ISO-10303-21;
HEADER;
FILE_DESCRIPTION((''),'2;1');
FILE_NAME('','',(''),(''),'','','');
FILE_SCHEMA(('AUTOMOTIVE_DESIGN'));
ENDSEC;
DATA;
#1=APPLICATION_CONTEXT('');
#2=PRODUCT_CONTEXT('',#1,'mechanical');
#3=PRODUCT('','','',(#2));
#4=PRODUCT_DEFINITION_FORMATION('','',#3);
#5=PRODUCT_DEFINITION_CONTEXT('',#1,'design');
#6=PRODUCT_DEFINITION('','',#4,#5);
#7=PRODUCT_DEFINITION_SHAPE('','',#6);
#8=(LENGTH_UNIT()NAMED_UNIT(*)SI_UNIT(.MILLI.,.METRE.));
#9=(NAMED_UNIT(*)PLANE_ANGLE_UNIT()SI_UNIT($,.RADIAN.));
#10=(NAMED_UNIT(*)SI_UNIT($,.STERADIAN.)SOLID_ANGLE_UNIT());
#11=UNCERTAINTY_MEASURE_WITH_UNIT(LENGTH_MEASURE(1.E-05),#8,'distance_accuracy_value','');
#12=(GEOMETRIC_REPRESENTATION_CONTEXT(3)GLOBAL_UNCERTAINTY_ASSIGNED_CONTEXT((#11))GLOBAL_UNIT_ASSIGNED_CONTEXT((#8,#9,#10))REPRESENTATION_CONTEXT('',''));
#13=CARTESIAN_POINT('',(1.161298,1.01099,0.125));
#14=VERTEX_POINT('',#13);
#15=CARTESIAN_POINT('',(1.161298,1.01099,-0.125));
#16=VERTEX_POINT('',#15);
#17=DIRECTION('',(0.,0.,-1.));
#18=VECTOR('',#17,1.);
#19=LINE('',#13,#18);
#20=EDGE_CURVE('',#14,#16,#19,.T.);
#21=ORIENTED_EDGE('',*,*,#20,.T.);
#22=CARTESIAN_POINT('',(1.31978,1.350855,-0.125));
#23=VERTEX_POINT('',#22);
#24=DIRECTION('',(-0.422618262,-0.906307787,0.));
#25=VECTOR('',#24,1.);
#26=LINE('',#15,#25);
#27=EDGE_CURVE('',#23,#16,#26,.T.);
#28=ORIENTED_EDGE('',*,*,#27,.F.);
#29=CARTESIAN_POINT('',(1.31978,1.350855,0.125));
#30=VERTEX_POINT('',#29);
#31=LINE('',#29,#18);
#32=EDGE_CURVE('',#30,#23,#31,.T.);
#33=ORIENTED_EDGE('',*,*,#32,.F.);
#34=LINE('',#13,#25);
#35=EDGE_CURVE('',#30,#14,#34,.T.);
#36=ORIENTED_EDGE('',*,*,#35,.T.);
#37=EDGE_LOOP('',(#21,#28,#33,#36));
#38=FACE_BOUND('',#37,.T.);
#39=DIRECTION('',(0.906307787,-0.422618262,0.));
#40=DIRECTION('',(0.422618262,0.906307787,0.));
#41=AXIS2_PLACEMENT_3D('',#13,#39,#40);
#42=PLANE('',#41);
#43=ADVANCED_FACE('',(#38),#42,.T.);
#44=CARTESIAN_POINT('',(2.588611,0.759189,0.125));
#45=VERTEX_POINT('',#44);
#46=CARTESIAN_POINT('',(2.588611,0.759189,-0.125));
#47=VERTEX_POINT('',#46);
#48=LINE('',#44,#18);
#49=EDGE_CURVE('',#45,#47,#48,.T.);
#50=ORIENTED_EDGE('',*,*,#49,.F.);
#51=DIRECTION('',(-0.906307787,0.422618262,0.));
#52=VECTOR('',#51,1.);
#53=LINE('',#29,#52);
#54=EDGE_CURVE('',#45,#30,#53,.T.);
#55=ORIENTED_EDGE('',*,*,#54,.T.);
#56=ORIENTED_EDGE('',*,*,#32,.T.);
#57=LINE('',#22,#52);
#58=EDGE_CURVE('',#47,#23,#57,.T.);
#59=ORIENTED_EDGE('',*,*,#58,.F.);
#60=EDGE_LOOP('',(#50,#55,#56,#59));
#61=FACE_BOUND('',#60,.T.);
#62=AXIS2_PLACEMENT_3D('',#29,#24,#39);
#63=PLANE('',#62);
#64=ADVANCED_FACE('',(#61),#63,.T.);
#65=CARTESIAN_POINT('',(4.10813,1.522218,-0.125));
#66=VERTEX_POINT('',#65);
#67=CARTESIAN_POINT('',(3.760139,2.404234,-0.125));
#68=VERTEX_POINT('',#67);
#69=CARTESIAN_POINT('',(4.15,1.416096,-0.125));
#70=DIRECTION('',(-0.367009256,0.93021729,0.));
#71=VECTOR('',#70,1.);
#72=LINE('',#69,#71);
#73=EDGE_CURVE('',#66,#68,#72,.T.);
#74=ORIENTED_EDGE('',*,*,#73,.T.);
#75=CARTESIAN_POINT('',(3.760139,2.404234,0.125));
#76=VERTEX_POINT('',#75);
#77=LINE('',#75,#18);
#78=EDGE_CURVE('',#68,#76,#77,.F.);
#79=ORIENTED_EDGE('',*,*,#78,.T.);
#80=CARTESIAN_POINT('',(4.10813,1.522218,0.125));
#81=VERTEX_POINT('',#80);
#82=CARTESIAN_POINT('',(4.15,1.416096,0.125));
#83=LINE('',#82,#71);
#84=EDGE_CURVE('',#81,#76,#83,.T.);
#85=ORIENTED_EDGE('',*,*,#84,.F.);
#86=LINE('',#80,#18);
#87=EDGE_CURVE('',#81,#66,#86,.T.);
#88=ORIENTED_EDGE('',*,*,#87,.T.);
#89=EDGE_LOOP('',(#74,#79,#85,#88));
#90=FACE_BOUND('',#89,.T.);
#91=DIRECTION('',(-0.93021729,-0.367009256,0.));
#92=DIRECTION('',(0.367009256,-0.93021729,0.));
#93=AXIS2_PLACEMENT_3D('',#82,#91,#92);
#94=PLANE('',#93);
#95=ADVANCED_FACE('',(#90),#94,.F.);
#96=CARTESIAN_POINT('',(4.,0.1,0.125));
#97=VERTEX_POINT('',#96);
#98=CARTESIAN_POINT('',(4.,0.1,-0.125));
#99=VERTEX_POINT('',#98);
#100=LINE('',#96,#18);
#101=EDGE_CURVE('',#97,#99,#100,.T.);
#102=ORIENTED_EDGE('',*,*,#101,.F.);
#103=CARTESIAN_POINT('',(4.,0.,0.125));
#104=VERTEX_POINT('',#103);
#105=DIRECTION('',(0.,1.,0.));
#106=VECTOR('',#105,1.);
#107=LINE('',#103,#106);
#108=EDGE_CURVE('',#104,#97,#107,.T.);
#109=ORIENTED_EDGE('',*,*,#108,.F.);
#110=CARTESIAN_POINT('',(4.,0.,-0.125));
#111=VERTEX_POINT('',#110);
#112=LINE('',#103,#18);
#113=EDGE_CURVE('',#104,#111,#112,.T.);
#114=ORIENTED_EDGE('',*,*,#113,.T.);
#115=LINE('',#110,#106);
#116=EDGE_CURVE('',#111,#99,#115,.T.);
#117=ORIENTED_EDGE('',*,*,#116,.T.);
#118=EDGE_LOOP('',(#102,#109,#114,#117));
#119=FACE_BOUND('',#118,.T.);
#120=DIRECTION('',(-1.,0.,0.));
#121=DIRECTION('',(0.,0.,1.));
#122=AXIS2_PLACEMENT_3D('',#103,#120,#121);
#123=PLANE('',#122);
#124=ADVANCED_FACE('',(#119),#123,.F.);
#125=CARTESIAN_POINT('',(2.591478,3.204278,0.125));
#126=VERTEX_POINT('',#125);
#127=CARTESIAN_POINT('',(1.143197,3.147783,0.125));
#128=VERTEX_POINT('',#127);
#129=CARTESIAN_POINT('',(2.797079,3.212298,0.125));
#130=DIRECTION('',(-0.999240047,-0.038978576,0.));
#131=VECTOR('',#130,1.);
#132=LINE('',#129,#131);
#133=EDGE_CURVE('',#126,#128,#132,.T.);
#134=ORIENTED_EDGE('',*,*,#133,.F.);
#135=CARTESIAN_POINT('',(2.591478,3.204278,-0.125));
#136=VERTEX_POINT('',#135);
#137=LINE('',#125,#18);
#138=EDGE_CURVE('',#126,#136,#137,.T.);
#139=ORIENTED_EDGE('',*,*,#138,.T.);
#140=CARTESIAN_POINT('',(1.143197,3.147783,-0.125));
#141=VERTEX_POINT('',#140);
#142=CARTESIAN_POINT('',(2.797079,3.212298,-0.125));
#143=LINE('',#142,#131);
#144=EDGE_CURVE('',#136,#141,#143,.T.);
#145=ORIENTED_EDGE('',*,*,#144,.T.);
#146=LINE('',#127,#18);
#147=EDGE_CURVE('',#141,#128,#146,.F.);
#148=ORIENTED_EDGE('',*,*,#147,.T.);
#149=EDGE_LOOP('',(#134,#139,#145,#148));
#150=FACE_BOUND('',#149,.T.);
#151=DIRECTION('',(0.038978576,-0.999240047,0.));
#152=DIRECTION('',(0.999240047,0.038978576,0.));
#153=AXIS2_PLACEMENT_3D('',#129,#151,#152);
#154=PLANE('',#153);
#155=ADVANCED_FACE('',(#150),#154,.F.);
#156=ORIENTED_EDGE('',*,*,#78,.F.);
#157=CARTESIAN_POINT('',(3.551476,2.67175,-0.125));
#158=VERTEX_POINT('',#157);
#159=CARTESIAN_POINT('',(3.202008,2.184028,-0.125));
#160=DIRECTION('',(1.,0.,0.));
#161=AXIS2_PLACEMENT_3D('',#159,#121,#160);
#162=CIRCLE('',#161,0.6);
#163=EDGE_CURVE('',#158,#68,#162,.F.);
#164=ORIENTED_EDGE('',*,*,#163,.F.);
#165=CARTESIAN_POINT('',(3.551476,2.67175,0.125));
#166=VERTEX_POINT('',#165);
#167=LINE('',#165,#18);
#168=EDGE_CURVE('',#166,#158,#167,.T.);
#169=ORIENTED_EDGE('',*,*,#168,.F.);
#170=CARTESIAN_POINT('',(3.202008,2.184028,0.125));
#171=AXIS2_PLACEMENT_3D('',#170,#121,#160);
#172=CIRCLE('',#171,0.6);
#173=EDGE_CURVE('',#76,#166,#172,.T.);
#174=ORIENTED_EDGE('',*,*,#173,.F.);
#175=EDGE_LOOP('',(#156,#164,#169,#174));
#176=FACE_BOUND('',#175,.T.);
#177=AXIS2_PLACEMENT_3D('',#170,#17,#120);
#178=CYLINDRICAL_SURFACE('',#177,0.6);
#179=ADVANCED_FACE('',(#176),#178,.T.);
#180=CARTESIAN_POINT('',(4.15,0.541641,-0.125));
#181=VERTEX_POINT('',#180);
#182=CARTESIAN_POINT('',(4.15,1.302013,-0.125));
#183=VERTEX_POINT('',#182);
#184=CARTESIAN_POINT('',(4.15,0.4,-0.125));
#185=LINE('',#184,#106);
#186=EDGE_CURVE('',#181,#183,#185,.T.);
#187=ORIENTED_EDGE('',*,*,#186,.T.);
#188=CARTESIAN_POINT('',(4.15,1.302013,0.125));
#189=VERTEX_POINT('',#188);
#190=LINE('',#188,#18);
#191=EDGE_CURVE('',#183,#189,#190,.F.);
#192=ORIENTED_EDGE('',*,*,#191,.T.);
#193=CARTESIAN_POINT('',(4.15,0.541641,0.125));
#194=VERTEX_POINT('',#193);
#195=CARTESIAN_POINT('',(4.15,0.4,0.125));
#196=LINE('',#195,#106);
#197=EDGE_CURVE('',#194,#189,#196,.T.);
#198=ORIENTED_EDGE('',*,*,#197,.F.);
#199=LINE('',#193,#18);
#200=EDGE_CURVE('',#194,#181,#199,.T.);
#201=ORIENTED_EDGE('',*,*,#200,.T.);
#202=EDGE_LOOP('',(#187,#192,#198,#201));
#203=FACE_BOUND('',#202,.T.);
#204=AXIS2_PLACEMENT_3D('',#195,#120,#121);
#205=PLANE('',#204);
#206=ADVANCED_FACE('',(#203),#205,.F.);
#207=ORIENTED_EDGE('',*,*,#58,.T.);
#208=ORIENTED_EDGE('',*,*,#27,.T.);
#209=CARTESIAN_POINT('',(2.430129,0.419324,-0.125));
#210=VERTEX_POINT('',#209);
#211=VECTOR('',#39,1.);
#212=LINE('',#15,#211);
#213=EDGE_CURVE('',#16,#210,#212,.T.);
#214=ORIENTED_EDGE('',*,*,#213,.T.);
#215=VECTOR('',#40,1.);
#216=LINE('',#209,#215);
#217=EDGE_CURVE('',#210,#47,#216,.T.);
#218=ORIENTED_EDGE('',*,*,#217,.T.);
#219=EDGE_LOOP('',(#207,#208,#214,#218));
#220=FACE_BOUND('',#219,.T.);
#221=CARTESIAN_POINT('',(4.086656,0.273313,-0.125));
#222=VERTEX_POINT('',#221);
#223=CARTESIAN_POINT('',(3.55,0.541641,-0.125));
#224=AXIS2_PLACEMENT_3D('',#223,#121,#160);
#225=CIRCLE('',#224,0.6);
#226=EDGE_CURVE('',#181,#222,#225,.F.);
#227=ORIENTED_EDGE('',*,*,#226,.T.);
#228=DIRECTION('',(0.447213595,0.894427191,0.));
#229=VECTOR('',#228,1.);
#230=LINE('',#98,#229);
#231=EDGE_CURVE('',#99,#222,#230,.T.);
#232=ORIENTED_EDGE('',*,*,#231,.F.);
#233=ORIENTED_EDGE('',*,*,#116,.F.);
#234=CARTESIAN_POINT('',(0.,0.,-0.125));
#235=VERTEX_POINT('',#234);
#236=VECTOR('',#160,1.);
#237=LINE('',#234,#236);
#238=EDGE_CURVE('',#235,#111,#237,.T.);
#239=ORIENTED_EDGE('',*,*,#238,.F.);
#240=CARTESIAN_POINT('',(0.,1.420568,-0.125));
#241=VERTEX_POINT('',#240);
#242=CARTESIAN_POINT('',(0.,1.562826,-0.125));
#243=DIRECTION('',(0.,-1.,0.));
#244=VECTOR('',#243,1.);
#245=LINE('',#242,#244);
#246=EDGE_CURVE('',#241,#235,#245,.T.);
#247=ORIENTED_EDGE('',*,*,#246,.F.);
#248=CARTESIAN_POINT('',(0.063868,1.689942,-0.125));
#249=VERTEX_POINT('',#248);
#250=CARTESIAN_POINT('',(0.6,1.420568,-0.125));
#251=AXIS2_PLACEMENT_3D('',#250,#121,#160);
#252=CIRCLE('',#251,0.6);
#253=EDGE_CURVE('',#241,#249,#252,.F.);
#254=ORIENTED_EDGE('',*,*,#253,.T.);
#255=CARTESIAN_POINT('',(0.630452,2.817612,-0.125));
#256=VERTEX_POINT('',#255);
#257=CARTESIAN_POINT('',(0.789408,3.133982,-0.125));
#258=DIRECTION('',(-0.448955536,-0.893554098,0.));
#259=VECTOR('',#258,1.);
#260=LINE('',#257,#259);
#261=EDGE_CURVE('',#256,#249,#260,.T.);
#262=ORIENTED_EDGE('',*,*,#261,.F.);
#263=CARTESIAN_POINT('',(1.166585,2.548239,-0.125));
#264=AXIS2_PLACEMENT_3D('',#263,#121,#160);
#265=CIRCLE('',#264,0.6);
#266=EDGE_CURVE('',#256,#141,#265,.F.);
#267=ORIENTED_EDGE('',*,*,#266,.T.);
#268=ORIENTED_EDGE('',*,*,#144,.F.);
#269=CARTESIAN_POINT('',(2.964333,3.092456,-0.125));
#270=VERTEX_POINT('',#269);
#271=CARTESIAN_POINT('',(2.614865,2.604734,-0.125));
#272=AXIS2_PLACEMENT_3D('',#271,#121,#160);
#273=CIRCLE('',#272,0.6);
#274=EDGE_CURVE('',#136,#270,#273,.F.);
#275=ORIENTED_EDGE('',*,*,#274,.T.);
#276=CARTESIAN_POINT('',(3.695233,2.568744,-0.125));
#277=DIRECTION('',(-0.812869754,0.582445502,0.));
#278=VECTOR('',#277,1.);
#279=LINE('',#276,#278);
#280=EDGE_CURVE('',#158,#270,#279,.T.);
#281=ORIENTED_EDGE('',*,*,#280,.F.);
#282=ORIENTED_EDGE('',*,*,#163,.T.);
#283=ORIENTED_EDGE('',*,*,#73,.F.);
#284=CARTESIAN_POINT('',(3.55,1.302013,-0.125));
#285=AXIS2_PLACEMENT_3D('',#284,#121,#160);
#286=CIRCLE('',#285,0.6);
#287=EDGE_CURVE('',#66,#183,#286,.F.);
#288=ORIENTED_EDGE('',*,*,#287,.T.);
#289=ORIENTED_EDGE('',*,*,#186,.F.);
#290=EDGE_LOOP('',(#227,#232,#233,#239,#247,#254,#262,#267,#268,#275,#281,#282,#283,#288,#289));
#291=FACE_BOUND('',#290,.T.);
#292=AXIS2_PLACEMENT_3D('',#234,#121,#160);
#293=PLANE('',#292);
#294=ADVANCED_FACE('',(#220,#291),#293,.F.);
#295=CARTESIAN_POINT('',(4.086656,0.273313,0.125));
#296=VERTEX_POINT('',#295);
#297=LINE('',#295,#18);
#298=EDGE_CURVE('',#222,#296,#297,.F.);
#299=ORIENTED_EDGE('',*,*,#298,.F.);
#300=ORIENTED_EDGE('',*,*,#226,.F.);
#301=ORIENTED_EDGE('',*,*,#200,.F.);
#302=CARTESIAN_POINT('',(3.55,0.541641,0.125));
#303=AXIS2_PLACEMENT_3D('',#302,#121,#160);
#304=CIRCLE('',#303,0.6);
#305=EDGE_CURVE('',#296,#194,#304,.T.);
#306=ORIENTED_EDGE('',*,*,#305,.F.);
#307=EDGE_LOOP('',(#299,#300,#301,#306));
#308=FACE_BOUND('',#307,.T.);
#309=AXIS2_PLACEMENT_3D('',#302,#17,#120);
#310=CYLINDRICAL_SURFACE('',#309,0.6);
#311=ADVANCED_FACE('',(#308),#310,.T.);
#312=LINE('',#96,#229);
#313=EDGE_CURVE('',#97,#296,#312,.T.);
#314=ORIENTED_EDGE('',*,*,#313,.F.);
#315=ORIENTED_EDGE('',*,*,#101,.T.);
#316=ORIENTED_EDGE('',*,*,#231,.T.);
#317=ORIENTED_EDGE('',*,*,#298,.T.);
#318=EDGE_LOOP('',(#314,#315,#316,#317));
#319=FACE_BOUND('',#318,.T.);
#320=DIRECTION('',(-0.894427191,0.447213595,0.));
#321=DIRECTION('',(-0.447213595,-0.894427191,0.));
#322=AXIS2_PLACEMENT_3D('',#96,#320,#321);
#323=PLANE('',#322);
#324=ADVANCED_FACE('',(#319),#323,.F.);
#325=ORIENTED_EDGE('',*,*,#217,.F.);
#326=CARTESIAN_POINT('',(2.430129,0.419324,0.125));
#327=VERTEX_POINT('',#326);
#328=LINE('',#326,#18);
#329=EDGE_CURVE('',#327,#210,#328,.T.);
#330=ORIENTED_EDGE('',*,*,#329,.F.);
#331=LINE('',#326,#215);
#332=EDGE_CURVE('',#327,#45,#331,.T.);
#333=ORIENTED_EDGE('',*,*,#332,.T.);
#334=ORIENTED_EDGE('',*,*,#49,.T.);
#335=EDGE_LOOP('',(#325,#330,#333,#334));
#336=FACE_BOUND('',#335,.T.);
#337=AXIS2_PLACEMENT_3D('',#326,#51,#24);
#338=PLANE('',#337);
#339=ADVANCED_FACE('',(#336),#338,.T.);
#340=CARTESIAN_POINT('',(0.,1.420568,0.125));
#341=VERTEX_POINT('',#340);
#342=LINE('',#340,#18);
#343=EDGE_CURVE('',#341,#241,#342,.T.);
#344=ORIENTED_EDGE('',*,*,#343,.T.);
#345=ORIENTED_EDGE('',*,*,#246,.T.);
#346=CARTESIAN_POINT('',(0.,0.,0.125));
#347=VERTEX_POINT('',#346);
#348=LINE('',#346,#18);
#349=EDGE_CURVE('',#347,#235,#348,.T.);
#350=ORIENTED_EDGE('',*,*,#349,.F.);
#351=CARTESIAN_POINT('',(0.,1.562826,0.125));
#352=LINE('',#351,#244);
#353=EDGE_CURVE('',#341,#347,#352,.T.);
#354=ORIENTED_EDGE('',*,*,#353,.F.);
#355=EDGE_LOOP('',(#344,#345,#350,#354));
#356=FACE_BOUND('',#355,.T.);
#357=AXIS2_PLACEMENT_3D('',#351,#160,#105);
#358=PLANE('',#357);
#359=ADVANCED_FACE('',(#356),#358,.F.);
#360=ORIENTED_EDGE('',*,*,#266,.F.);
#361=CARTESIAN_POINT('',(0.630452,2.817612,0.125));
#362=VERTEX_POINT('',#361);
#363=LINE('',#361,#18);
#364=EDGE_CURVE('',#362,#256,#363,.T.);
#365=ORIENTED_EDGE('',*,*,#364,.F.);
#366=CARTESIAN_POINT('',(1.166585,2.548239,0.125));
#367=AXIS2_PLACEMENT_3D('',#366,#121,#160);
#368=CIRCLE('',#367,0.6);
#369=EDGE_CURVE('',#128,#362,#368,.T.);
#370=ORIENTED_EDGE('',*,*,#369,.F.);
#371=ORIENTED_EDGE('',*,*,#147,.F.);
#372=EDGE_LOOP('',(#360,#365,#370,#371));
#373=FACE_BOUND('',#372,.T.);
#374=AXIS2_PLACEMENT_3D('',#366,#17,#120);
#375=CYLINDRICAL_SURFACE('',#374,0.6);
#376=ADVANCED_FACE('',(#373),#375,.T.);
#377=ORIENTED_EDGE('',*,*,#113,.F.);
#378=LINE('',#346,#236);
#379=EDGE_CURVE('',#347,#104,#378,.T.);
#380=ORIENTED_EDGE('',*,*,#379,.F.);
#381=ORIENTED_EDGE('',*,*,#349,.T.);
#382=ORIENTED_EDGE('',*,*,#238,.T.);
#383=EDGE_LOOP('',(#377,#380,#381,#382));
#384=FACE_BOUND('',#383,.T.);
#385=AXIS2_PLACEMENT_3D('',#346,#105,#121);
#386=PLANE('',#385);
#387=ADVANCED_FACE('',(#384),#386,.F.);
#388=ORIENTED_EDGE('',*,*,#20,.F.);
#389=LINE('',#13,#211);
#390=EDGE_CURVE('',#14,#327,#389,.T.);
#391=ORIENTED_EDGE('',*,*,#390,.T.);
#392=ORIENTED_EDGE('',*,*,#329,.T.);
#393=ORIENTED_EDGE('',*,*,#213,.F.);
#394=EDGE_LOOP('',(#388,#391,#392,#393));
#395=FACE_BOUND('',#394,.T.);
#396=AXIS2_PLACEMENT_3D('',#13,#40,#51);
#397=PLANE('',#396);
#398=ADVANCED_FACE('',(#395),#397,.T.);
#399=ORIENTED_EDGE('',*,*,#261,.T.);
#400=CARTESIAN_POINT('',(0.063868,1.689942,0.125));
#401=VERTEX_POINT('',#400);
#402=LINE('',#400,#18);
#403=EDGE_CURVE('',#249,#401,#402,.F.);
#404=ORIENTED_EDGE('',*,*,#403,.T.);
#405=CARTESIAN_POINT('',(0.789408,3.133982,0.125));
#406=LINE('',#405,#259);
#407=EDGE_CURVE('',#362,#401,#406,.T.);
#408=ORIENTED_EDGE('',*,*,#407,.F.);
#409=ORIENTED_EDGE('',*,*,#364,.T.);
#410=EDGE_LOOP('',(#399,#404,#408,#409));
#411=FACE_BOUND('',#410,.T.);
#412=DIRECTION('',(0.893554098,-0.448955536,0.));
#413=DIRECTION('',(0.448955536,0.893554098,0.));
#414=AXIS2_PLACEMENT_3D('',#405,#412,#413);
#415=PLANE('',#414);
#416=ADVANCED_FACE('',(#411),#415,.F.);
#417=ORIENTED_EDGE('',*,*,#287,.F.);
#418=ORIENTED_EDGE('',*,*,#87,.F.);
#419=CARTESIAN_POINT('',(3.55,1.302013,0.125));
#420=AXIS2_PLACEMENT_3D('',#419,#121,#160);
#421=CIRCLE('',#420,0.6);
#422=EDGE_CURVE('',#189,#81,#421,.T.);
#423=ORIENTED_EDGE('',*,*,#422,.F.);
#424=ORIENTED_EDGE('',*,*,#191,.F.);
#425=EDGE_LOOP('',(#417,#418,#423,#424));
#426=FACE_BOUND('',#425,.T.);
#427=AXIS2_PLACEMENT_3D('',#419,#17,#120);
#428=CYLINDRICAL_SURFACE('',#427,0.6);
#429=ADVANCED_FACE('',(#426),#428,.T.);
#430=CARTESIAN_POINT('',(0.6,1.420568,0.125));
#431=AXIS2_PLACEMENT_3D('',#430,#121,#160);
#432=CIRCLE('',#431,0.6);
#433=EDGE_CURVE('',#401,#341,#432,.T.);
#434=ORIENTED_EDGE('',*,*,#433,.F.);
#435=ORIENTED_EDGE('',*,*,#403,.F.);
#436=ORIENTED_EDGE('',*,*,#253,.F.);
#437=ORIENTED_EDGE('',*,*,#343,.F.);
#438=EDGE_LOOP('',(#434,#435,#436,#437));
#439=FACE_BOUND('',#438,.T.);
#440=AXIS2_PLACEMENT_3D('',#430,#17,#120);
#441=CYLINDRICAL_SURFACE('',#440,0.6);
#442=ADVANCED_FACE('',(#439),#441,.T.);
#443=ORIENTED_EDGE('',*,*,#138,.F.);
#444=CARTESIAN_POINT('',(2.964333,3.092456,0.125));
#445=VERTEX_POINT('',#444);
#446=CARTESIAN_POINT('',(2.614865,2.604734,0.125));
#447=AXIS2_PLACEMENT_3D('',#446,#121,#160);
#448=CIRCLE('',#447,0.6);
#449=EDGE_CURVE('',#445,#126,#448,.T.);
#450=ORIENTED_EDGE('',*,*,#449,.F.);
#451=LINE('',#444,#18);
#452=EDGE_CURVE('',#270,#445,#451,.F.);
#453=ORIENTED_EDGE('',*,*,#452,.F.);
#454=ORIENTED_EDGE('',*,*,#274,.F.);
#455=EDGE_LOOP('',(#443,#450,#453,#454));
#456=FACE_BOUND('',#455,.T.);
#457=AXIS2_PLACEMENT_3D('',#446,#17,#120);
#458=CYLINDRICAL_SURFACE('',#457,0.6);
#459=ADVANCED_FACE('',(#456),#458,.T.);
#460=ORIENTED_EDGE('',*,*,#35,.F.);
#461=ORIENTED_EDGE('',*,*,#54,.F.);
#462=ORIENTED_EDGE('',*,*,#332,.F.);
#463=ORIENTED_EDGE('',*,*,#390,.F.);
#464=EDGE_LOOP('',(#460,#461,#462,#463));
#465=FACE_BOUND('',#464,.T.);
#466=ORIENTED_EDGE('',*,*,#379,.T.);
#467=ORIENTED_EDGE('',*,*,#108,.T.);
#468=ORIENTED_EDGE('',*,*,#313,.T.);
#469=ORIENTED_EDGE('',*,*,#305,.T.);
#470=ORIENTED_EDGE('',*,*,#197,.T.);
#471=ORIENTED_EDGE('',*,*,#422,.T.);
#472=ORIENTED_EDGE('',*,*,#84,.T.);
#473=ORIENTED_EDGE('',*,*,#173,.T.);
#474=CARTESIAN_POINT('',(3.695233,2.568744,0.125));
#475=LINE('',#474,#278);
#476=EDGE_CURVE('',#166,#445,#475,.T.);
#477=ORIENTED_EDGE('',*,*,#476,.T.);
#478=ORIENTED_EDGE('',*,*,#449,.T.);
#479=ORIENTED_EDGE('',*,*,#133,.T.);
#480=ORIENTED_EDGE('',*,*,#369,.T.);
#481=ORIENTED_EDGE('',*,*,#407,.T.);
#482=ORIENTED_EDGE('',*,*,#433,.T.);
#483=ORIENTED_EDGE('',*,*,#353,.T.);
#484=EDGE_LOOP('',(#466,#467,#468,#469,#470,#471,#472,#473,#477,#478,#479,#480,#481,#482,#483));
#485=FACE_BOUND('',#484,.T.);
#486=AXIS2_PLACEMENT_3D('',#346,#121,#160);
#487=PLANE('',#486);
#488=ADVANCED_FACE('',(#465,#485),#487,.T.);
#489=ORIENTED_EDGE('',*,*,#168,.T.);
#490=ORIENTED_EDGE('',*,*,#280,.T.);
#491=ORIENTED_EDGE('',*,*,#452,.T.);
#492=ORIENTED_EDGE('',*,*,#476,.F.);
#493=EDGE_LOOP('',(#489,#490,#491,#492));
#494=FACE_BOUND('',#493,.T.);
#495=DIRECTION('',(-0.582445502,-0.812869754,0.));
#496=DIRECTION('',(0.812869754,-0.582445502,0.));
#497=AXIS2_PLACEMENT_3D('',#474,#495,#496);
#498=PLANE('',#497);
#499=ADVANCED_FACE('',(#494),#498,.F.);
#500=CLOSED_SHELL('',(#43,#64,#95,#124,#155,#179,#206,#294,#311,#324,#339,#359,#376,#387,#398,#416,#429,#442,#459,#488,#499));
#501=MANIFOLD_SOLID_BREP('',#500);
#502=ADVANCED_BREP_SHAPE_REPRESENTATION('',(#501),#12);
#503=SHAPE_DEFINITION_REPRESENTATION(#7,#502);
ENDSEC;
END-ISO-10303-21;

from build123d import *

# Parameters (mm, degrees)
BOSS_EXTRUDE1_DEPTH = 0.125
FILLET1_R           = 0.6


with BuildPart() as part:
    # frame_outline → Boss-Extrude1 (new, symmetric)
    with BuildSketch(Plane.XY):
        Polygon((0, 0), (4, 0), (4, 0.1), (4.15, 0.4), (4.15, 1.416096183), (3.695232724, 2.568743907), (2.797078859, 3.212298026), (0.789408464, 3.133982378), (0, 1.562826413), align=None)
        Polygon((1.161298437, 1.010989603), (2.430129339, 0.419324036), (2.588611187, 0.759189456), (1.319780285, 1.350855023), align=None, mode=Mode.SUBTRACT)
    extrude(amount=BOSS_EXTRUDE1_DEPTH, both=True)

    # Fillet1
    fillet1_edges = [part.edges().sort_by_distance(p)[0] for p in [
        (0, 1.562826413, 0),
        (0.789408464, 3.133982378, 0),
        (2.797078859, 3.212298026, 0),
        (3.695232724, 2.568743907, 0),
        (4.15, 1.416096183, 0),
        (4.15, 0.4, 0),
    ]]
    fillet(fillet1_edges, radius=FILLET1_R)


solid = part.part
